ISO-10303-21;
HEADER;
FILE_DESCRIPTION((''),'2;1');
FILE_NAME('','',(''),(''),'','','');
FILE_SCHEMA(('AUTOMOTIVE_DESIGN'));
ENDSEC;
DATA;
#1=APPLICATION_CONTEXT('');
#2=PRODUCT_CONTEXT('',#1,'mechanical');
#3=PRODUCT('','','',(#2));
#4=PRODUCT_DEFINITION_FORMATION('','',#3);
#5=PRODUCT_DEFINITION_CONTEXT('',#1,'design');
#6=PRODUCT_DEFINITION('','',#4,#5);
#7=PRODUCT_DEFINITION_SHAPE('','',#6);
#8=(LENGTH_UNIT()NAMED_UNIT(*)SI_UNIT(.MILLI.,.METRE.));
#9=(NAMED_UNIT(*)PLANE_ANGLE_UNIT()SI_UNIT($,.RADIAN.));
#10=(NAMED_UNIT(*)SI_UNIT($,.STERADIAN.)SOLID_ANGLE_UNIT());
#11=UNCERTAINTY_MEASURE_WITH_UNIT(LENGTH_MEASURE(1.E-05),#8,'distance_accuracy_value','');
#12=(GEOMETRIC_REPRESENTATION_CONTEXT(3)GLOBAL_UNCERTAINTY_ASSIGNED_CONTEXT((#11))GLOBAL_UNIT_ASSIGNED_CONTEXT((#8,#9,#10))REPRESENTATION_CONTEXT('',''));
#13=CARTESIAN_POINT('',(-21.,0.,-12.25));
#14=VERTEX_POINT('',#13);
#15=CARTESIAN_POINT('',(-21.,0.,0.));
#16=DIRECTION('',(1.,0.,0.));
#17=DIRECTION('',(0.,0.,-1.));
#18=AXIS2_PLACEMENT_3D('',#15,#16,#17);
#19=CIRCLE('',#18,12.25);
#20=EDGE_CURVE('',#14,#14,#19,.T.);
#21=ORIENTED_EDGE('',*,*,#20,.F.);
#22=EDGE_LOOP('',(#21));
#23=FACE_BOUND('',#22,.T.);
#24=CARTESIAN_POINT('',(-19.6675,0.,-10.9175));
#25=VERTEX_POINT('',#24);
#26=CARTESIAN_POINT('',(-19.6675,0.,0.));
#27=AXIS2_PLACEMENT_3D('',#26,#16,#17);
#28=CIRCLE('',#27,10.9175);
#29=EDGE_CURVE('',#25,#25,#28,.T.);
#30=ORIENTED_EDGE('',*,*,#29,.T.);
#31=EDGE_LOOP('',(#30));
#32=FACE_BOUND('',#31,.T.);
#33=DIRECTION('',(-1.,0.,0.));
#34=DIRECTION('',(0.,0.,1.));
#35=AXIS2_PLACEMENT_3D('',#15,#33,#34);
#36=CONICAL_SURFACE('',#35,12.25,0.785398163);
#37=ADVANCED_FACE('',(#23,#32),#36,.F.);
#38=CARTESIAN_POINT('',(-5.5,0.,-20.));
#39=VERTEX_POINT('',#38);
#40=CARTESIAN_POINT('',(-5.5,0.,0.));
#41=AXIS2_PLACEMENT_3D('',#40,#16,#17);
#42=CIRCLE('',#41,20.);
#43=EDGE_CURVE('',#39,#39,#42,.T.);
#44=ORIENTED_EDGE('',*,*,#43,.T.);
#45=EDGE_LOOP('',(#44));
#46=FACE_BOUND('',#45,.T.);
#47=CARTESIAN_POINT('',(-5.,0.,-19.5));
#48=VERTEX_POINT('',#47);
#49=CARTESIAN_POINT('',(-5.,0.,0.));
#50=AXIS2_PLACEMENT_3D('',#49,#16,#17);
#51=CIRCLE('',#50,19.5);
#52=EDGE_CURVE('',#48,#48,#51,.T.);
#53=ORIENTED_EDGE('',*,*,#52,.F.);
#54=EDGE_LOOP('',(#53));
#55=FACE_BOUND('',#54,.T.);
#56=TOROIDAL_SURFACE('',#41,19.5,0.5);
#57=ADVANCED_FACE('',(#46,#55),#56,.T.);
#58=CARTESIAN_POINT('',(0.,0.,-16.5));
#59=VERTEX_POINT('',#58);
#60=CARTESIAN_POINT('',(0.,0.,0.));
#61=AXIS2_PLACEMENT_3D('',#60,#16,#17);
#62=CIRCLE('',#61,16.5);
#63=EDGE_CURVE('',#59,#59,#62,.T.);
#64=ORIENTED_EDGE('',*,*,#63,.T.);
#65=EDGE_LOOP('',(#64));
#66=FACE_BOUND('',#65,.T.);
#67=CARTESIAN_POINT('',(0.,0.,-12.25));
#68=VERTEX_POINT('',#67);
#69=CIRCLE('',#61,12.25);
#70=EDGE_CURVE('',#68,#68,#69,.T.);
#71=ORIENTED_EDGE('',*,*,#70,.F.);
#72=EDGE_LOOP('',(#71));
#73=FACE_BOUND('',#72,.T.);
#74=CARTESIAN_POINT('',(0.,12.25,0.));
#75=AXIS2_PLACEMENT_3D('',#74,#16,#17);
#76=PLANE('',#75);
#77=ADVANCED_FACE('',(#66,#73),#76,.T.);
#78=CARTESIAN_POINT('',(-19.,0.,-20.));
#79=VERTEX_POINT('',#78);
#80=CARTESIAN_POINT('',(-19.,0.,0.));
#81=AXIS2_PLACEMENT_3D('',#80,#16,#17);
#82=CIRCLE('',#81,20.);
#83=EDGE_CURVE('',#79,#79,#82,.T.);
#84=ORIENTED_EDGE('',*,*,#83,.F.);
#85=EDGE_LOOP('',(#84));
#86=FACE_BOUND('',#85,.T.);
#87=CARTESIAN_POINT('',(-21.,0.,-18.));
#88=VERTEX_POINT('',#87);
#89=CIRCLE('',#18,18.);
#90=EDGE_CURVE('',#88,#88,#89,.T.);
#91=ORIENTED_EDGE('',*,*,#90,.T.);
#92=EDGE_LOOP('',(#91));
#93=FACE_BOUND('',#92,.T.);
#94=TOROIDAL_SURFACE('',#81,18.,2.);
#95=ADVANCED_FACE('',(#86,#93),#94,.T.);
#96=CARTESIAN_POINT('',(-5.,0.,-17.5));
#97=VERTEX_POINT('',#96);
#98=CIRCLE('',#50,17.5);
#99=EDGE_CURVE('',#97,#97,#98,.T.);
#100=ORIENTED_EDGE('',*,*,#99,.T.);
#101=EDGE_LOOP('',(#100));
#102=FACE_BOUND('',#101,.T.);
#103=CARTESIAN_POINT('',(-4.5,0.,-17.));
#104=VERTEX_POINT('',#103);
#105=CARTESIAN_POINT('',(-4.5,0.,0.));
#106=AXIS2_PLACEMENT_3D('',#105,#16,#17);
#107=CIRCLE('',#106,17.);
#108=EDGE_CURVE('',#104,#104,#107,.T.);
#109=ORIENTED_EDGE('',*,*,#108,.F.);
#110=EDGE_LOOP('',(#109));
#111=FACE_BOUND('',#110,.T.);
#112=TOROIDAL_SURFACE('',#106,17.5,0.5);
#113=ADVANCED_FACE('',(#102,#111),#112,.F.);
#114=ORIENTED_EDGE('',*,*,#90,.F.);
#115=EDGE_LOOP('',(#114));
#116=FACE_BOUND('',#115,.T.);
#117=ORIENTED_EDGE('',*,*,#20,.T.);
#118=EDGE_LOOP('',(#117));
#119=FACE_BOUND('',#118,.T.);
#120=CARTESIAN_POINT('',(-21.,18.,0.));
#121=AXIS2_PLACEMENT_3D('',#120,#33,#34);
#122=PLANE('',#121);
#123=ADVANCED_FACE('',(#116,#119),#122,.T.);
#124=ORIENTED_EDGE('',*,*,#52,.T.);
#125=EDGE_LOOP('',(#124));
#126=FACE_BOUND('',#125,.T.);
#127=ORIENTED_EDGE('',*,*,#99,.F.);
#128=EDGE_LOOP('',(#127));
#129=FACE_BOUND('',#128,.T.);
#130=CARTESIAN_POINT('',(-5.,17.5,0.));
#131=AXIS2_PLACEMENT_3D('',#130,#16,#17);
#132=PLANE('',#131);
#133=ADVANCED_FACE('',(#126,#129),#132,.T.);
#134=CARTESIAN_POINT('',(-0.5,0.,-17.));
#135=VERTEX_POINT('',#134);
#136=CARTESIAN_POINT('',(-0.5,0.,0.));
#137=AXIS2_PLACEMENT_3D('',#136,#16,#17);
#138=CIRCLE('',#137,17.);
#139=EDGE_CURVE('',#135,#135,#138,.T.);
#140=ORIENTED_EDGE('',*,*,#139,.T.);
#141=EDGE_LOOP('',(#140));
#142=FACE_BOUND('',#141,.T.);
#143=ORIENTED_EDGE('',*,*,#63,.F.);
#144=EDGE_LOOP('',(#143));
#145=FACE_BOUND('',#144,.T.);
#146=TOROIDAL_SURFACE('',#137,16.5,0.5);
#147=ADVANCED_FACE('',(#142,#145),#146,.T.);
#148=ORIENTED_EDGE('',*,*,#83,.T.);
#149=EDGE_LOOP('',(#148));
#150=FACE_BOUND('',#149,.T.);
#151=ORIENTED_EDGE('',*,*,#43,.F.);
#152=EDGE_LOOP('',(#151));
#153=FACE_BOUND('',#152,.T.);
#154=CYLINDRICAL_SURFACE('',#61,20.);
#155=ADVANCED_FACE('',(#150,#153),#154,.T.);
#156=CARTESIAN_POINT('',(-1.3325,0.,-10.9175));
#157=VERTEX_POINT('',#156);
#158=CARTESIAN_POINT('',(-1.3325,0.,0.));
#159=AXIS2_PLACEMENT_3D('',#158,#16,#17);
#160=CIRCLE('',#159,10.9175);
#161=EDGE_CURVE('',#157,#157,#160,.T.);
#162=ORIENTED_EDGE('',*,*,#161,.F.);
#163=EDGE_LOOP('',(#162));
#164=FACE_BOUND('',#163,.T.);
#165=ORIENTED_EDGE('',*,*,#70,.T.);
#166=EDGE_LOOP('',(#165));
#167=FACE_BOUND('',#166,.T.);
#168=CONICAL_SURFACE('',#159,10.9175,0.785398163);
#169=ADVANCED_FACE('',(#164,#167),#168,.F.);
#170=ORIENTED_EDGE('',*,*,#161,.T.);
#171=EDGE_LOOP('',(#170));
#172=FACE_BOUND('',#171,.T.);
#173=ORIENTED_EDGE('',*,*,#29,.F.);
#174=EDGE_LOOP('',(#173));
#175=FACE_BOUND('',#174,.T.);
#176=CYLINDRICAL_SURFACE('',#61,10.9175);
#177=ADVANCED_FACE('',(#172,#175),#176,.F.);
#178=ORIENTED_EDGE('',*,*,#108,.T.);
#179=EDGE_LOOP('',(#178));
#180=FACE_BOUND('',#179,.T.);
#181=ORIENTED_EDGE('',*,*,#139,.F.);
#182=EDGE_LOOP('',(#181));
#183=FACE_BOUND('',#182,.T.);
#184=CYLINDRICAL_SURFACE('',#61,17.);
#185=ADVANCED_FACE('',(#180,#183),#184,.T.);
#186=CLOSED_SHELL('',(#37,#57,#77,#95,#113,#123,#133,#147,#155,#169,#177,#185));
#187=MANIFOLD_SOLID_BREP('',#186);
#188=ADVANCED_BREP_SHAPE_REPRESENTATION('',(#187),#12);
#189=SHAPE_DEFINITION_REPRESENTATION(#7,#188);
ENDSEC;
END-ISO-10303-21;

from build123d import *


with BuildPart() as part:
    # Sketch1 → Base-Revolve (revolve)
    with BuildSketch(Plane.XY):
        with BuildLine():
            Line((0, 12.25), (0, 16.5))
            ThreePointArc((0, 16.5), (-0.146446609, 16.853553391), (-0.5, 17))
            Line((-0.5, 17), (-4.5, 17))
            ThreePointArc((-4.5, 17), (-4.853553391, 17.146446609), (-5, 17.5))
            Line((-5, 17.5), (-5, 19.5))
            ThreePointArc((-5, 19.5), (-5.146446609, 19.853553391), (-5.5, 20))
            Line((-5.5, 20), (-19, 20))
            ThreePointArc((-19, 20), (-20.414213562, 19.414213562), (-21, 18))
            Line((-21, 18), (-21, 12.25))
            Line((-21, 12.25), (-19.6675, 10.9175))
            Line((-19.6675, 10.9175), (-1.3325, 10.9175))
            Line((-1.3325, 10.9175), (0, 12.25))
        make_face()
    revolve(axis=Axis((0, 0, 0), (-1, 0, 0)))


solid = part.part
